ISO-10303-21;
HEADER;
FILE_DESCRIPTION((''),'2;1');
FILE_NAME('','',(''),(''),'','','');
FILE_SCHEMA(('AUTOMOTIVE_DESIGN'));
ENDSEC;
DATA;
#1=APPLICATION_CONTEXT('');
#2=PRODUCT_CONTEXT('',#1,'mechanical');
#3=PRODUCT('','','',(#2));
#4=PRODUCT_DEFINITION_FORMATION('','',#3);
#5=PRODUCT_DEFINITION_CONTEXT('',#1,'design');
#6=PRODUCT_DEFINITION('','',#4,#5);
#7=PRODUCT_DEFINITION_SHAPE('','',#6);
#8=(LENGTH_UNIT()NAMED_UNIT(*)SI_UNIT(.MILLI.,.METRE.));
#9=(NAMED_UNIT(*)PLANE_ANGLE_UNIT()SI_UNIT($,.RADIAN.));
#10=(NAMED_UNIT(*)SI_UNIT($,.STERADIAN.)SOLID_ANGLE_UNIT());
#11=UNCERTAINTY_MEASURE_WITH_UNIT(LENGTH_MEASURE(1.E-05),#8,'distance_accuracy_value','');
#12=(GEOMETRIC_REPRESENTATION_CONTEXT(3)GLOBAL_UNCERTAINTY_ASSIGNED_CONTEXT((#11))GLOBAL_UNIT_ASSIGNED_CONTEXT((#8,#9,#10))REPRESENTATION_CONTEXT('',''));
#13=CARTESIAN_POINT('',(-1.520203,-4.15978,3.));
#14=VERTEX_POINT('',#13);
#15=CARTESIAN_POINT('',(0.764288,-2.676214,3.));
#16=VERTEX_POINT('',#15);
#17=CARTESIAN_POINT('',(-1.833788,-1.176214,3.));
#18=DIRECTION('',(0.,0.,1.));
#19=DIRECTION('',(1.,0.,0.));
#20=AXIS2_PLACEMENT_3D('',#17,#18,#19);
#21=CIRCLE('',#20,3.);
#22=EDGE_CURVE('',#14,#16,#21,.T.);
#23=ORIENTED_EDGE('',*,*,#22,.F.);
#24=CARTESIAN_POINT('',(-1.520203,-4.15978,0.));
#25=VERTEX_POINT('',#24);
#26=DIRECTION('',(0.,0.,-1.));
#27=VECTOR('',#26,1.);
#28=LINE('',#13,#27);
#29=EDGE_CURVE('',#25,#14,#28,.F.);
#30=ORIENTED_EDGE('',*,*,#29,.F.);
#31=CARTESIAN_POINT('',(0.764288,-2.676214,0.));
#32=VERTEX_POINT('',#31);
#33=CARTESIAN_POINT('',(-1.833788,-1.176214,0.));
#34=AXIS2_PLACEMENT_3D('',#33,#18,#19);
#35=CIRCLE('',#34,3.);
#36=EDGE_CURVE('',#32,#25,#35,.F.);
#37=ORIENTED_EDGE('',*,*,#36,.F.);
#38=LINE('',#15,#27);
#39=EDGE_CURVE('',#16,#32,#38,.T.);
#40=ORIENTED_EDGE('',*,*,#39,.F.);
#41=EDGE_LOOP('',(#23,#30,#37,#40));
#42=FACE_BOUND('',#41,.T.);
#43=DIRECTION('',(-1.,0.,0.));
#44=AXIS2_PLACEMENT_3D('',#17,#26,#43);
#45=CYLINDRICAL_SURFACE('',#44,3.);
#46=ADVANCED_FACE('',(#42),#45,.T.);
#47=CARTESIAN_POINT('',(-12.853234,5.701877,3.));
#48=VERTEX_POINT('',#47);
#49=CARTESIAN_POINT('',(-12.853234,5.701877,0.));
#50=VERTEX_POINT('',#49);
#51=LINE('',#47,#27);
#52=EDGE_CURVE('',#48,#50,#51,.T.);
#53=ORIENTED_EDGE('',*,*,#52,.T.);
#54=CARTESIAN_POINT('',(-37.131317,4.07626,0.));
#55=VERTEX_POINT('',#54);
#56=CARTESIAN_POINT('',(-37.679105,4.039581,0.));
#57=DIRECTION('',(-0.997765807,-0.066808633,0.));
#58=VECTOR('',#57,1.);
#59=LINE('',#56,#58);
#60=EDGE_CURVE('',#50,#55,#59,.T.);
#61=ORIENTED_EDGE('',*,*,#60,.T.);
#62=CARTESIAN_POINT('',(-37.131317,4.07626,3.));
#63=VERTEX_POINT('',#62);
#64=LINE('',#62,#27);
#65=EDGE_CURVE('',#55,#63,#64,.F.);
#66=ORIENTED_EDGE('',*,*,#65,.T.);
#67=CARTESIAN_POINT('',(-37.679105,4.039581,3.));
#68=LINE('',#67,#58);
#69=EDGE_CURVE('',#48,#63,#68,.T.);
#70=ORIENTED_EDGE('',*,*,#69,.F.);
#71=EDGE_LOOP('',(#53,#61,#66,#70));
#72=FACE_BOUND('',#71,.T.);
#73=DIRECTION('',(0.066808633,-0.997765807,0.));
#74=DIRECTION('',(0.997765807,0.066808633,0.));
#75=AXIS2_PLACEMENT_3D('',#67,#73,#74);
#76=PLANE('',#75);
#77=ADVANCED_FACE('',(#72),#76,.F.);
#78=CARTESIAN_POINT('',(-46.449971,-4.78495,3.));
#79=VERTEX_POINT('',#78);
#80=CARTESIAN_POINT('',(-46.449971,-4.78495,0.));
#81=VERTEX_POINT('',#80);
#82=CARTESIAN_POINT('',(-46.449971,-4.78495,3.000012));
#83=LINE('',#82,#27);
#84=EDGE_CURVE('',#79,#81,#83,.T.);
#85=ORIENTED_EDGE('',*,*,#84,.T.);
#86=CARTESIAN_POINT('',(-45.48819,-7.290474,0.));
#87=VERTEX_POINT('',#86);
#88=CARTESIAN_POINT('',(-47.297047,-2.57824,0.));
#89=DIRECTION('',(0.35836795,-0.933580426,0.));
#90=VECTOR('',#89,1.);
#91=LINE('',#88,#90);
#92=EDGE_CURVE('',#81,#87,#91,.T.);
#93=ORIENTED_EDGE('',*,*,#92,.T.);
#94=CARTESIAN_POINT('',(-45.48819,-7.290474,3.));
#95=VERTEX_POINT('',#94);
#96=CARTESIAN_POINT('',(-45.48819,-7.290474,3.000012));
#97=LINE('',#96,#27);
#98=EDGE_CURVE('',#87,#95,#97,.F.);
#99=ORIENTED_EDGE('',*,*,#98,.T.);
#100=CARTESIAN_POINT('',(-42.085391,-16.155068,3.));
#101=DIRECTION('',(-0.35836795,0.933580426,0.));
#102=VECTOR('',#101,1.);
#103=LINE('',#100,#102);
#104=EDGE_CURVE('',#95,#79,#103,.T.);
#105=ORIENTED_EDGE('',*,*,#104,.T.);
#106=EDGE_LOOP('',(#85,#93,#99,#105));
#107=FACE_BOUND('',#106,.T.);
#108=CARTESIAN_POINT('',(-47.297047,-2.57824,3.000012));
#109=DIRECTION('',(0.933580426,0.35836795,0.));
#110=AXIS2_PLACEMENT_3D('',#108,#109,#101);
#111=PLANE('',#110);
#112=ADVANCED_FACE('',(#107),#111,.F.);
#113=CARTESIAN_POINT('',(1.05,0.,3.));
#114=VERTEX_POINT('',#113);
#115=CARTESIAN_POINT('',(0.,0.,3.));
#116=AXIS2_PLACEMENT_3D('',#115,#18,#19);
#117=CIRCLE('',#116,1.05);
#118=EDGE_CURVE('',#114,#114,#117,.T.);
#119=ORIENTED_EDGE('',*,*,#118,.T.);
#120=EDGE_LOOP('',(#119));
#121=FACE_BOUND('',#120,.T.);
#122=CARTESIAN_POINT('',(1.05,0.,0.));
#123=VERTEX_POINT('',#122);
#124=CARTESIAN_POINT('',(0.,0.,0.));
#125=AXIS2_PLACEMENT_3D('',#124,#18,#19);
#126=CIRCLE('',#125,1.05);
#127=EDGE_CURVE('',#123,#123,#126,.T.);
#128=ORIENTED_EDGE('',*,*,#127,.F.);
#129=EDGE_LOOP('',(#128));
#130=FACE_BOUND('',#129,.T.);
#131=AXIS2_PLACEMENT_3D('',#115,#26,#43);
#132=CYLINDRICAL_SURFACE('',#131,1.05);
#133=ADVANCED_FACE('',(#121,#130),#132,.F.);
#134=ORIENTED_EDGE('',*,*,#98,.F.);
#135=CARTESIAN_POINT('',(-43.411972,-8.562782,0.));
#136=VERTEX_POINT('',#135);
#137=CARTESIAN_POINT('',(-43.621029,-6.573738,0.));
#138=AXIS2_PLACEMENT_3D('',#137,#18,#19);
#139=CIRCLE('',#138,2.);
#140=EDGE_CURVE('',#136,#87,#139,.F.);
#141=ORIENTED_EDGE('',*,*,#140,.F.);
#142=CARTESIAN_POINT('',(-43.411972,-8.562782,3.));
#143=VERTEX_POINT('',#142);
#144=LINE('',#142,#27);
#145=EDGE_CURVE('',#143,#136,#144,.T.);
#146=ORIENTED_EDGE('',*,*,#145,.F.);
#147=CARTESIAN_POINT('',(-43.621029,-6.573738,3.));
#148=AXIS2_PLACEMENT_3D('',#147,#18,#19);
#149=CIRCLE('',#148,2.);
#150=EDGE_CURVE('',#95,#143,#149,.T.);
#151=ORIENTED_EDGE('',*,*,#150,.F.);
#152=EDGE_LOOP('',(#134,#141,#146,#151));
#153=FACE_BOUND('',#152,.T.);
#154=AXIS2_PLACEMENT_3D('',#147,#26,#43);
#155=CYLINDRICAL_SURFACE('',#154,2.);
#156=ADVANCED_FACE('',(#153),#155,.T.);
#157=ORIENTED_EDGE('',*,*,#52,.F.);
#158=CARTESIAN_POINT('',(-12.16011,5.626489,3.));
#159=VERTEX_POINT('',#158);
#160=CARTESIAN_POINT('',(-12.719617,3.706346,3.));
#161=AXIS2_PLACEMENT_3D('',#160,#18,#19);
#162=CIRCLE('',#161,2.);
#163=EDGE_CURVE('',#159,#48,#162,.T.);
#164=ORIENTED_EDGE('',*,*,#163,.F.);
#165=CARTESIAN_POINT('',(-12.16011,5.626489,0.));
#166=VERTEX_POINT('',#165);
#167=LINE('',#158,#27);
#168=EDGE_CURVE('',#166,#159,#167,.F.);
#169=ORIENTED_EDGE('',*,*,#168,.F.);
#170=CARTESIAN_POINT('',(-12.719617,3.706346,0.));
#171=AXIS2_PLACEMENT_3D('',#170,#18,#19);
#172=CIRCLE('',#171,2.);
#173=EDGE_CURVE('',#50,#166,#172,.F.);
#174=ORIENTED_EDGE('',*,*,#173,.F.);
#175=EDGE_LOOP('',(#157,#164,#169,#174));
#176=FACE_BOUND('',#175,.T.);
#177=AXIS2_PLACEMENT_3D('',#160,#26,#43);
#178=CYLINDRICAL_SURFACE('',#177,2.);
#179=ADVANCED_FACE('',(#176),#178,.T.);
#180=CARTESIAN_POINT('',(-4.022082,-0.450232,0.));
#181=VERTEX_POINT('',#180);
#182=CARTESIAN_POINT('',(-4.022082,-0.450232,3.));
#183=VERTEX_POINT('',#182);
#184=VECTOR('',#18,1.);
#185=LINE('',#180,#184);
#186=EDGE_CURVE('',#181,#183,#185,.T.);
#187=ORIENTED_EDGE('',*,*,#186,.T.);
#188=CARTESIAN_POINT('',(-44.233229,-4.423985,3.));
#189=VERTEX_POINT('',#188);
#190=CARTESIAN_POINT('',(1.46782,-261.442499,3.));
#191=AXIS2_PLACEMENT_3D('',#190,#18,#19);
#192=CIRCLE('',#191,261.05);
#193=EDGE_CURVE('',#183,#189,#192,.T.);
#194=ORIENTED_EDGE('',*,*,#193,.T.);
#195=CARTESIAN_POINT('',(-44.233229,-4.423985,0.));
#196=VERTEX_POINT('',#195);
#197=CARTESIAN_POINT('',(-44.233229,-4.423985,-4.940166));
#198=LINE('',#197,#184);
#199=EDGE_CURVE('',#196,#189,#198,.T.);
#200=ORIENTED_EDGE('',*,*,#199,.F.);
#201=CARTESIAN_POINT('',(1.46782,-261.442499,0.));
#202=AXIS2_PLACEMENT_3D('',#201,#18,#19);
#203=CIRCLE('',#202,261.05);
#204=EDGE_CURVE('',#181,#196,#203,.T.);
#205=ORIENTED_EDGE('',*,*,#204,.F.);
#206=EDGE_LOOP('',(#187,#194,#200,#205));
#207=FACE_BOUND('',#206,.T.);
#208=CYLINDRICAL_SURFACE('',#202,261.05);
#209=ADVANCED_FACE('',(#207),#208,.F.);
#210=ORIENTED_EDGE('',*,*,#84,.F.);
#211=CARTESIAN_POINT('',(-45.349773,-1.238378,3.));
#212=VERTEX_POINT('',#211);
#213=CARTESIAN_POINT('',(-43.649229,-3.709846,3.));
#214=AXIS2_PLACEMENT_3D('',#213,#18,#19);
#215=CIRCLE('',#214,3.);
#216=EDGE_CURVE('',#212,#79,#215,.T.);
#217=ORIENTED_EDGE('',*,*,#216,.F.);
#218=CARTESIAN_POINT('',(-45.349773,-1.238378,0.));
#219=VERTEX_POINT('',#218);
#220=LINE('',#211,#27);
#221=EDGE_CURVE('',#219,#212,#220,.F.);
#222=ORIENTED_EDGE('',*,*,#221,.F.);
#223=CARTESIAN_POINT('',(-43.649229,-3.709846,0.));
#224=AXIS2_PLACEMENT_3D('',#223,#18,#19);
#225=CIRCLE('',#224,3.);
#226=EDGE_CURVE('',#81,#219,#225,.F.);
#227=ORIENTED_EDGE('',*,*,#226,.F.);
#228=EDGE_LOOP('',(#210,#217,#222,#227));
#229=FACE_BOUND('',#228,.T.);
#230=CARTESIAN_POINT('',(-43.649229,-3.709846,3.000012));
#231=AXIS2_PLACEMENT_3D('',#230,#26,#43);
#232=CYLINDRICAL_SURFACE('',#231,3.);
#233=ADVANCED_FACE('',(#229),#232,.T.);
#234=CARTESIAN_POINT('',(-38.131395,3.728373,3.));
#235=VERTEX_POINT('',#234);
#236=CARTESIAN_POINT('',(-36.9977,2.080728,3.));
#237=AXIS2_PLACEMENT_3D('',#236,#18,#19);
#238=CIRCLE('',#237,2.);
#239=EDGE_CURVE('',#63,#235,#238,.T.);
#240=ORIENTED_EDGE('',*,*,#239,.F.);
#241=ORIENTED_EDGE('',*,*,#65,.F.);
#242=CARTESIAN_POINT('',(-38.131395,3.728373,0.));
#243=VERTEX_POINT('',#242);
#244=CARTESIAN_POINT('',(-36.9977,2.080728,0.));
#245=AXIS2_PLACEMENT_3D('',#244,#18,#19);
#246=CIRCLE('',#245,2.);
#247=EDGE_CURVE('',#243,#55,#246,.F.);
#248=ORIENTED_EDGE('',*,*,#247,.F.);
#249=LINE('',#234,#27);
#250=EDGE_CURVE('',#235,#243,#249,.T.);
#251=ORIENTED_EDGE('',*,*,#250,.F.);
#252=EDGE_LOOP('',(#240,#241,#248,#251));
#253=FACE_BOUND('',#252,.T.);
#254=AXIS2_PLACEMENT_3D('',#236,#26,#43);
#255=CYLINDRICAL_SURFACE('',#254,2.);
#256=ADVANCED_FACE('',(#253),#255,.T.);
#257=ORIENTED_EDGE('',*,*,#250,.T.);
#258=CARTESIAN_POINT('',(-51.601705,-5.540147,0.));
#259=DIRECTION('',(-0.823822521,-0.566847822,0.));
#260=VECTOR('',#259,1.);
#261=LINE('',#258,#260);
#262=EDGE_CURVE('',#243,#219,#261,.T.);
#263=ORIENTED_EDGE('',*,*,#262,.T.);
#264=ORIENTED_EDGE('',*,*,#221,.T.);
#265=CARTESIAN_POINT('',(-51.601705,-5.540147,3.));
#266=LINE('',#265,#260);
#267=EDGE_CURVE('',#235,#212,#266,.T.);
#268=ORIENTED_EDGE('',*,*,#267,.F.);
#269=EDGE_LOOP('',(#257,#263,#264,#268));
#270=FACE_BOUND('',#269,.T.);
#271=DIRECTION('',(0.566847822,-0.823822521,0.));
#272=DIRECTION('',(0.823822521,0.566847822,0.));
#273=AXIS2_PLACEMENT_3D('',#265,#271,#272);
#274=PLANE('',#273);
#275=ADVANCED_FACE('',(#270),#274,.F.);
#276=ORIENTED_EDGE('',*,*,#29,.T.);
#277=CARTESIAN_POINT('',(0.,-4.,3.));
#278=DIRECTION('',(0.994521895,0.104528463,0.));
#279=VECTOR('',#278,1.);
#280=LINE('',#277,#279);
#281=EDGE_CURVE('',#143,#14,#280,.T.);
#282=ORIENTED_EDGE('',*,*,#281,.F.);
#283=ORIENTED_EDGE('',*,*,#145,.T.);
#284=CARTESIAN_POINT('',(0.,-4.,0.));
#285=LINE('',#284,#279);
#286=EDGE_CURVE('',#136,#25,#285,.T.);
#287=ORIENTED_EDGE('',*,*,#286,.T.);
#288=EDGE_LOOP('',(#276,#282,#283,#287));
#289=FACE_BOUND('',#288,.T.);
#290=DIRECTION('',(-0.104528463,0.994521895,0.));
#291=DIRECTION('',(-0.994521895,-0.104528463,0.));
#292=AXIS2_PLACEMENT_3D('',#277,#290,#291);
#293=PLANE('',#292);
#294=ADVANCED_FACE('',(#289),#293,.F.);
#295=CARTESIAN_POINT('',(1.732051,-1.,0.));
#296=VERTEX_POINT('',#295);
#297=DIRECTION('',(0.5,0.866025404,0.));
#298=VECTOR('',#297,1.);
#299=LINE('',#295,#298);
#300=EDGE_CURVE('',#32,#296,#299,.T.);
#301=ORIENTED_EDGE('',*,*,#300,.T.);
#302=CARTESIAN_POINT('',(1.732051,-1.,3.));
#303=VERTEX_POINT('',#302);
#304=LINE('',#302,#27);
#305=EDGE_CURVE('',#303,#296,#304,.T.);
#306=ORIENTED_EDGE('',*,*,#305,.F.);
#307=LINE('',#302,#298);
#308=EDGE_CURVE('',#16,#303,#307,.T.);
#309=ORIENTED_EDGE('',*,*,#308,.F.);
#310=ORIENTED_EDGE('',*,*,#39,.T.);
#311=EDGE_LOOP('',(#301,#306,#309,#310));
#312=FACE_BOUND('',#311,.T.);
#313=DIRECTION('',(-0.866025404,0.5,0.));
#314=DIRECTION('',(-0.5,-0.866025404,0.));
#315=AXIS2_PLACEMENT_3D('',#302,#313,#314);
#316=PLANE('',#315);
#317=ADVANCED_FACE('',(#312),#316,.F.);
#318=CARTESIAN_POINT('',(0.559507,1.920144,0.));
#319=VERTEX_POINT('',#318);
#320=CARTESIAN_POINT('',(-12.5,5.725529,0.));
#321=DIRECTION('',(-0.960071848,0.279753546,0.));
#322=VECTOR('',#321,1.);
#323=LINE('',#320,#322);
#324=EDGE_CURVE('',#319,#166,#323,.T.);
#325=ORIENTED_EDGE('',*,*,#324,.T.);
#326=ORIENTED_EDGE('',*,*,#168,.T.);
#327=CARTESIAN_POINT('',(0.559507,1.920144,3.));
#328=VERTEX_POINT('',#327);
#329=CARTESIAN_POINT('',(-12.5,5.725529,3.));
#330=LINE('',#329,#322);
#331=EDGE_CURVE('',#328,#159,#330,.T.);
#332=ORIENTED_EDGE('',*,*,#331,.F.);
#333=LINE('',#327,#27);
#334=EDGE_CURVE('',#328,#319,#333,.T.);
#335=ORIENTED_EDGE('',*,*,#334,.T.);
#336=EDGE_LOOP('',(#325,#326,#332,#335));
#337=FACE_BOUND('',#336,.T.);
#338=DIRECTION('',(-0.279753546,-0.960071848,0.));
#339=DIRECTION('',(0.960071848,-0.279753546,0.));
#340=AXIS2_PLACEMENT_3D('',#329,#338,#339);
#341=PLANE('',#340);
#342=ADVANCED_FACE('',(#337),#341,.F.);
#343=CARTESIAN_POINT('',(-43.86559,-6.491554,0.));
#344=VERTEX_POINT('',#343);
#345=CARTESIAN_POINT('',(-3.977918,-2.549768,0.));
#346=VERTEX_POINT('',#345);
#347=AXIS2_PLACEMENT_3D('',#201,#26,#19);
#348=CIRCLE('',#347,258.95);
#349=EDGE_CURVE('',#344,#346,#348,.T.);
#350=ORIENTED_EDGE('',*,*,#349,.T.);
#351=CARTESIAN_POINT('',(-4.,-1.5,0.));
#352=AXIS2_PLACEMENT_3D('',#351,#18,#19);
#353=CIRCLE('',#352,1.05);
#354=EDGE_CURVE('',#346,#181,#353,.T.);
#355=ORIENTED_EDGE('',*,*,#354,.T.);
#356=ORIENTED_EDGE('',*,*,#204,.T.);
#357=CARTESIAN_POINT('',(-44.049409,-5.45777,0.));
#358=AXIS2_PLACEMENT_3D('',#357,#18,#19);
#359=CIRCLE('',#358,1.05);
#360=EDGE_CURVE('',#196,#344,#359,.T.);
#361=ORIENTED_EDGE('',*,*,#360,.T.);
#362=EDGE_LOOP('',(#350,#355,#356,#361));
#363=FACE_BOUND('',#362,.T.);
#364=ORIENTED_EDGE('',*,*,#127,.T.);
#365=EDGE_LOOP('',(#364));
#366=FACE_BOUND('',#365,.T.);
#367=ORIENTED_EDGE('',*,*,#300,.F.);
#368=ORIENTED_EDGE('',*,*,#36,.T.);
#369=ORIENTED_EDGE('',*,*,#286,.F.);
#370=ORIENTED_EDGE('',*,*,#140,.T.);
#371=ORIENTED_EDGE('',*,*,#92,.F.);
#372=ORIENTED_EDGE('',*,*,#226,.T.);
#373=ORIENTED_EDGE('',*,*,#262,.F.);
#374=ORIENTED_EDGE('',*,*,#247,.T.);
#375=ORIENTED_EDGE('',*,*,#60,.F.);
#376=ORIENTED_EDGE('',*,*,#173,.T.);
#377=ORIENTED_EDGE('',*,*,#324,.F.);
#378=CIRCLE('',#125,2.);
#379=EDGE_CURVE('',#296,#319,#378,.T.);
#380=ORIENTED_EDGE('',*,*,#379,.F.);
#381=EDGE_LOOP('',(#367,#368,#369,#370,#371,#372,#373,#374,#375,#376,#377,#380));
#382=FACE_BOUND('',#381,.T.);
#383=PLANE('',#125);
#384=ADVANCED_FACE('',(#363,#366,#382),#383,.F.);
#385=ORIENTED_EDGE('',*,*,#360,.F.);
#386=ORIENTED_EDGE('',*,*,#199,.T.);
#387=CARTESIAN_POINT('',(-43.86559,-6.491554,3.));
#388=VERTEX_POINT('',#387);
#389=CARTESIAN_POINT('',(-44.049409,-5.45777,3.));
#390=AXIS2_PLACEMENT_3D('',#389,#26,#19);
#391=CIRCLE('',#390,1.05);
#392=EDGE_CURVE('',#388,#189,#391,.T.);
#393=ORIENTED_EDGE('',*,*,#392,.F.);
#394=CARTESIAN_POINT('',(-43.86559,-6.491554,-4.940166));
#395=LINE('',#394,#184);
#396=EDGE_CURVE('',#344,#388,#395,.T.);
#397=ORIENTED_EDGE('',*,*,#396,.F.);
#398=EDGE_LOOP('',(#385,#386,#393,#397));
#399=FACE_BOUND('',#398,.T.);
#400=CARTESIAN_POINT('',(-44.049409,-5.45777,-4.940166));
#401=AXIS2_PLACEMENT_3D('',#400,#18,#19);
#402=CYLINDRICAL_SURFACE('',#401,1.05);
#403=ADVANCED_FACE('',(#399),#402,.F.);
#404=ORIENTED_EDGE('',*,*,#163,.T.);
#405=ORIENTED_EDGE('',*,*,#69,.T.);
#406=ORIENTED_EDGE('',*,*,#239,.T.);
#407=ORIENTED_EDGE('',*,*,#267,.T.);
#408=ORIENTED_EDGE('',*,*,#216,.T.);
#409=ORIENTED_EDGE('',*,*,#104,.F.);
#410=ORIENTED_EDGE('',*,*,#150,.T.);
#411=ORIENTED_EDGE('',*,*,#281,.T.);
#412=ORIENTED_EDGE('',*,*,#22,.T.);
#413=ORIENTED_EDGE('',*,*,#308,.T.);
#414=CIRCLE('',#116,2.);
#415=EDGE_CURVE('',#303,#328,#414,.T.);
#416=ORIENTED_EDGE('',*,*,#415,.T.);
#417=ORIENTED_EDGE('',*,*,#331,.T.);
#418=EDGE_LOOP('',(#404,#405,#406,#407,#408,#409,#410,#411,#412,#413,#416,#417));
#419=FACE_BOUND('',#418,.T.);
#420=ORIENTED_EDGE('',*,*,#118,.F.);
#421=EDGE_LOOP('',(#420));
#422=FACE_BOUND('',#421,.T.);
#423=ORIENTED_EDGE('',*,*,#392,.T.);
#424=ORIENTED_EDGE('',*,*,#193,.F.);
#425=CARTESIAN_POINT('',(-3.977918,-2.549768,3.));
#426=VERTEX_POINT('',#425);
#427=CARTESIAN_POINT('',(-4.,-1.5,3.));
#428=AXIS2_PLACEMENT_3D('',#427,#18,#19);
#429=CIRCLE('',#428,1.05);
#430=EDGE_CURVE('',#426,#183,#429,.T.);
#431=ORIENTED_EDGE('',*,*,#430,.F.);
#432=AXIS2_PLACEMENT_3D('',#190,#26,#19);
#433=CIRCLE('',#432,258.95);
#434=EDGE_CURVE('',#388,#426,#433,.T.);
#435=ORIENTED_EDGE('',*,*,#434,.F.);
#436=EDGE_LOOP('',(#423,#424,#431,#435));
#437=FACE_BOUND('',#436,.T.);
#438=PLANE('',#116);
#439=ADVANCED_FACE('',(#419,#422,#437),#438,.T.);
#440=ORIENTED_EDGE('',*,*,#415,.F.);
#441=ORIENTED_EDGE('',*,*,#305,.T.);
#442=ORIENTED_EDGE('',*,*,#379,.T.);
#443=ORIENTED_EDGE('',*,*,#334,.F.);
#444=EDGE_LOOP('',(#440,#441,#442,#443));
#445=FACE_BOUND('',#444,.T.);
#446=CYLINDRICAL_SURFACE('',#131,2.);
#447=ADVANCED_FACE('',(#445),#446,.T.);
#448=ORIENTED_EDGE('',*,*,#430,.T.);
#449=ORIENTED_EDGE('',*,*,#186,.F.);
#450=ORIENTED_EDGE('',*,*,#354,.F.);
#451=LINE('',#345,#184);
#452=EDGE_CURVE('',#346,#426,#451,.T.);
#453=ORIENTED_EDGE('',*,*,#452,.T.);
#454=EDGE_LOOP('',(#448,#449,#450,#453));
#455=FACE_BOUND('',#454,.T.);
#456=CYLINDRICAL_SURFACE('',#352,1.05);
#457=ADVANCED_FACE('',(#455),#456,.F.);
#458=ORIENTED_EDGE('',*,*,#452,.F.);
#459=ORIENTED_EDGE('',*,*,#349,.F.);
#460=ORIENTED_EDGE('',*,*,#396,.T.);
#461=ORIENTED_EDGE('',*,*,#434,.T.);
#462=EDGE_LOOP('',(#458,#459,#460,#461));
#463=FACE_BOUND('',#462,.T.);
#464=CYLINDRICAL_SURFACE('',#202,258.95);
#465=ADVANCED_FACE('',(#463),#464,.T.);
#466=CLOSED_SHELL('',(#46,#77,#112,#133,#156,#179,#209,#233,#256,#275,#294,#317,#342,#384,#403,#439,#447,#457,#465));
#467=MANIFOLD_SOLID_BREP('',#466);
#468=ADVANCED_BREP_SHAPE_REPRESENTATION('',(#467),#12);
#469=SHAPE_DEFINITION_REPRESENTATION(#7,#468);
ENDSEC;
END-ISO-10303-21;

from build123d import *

# Parameters (mm, degrees)
SKETCH_1_R                 = 1.05
EXTRUDE_1_DEPTH            = 3
CUT_EXTRUDE_1_DEPTH        = 3
EXTRUDE_2_DEPTH            = 3
CUT_EXTRUDE_1_2_DEPTH      = 53.507202205
CUT_EXTRUDE_1_2_DEPTH_BACK = 3
FILLET_1_R                 = 2
FILLET_2_R                 = 3
FILLET_3_R                 = 3
FILLET_4_R                 = 2


with BuildPart() as part:
    # 草图1 → 凸台-拉伸1 (new body)
    with BuildSketch(Plane.XY):
        with BuildLine():
            Line((-49.8, -9.234190916), (-51.601705413, -5.540147386))
            Line((-51.601705413, -5.540147386), (-37.679104802, 4.039580805))
            Line((-37.679104802, 4.039580805), (-12.5, 5.72552912))
            Line((-12.5, 5.72552912), (0.559507092, 1.920143696))
            ThreePointArc((0.559507092, 1.920143696), (1.855968535, 0.745238752), (1.732050808, -1))
            Line((1.732050808, -1), (0, -4))
            Line((0, -4), (-49.8, -9.234190916))
        make_face()
        Circle(SKETCH_1_R, mode=Mode.SUBTRACT)
    extrude(amount=EXTRUDE_1_DEPTH)

    # 草图3 → Cut-Extrude 1 (cut)
    with BuildSketch(Plane.XY.offset(3)):
        with BuildLine():
            ThreePointArc((-4.02208158, -0.450232214), (-25.702985996, -1.810356042), (-47.195735426, -4.968405291))
            ThreePointArc((-47.195735426, -4.968405291), (-48.031594709, -6.195735426), (-46.804264574, -7.031594709))
            ThreePointArc((-46.804264574, -7.031594709), (-25.48441219, -3.898950185), (-3.97791842, -2.549767786))
            ThreePointArc((-3.97791842, -2.549767786), (-2.950232214, -1.47791842), (-4.02208158, -0.450232214))
        make_face()
    extrude(amount=-CUT_EXTRUDE_1_DEPTH, mode=Mode.SUBTRACT)

    # 草图5 → 凸台-拉伸2 (add)
    with BuildSketch(Plane.XY.offset(3)):
        with BuildLine():
            ThreePointArc((-44.233228768, -4.423985056), (-45.083193675, -5.64158912), (-43.865589611, -6.491554028))
            ThreePointArc((-43.865589611, -6.491554028), (-45.335706004, -6.757335859), (-46.804264574, -7.031594709))
            ThreePointArc((-46.804264574, -7.031594709), (-48.031594709, -6.195735426), (-47.195735426, -4.968405291))
            ThreePointArc((-47.195735426, -4.968405291), (-45.715267325, -4.691922292), (-44.233228768, -4.423985056))
        make_face()
    extrude(amount=-EXTRUDE_2_DEPTH)

    # 草图6 → Cut-Extrude 1 2 (cut, two sides: drawn at the far end of the back side and taken through both)
    with BuildSketch(Plane.XY.offset(3).offset(-CUT_EXTRUDE_1_2_DEPTH_BACK)):
        Polygon((-47.297047091, -2.578239778), (-44.938218964, -8.723197138), (-54.274023229, -12.306876634), (-56.632851356, -6.161919273), align=None)
    extrude(amount=CUT_EXTRUDE_1_2_DEPTH + CUT_EXTRUDE_1_2_DEPTH_BACK, mode=Mode.SUBTRACT)

    # 圆角1
    fillet_1_edges = [part.edges().sort_by_distance(p)[0] for p in [
        (-44.938218964, -8.723197138, 1.5),
    ]]
    fillet(fillet_1_edges, radius=FILLET_1_R)

    # 圆角2
    fillet_2_edges = [part.edges().sort_by_distance(p)[0] for p in [
        (0, -4, 1.5),
    ]]
    fillet(fillet_2_edges, radius=FILLET_2_R)

    # 圆角3
    fillet_3_edges = [part.edges().sort_by_distance(p)[0] for p in [
        (-47.297047091, -2.578239778, 1.5),
    ]]
    fillet(fillet_3_edges, radius=FILLET_3_R)

    # 圆角4
    fillet_4_edges = [part.edges().sort_by_distance(p)[0] for p in [
        (-12.5, 5.72552912, 1.5),
        (-37.679104802, 4.039580805, 1.5),
    ]]
    fillet(fillet_4_edges, radius=FILLET_4_R)


solid = part.part
